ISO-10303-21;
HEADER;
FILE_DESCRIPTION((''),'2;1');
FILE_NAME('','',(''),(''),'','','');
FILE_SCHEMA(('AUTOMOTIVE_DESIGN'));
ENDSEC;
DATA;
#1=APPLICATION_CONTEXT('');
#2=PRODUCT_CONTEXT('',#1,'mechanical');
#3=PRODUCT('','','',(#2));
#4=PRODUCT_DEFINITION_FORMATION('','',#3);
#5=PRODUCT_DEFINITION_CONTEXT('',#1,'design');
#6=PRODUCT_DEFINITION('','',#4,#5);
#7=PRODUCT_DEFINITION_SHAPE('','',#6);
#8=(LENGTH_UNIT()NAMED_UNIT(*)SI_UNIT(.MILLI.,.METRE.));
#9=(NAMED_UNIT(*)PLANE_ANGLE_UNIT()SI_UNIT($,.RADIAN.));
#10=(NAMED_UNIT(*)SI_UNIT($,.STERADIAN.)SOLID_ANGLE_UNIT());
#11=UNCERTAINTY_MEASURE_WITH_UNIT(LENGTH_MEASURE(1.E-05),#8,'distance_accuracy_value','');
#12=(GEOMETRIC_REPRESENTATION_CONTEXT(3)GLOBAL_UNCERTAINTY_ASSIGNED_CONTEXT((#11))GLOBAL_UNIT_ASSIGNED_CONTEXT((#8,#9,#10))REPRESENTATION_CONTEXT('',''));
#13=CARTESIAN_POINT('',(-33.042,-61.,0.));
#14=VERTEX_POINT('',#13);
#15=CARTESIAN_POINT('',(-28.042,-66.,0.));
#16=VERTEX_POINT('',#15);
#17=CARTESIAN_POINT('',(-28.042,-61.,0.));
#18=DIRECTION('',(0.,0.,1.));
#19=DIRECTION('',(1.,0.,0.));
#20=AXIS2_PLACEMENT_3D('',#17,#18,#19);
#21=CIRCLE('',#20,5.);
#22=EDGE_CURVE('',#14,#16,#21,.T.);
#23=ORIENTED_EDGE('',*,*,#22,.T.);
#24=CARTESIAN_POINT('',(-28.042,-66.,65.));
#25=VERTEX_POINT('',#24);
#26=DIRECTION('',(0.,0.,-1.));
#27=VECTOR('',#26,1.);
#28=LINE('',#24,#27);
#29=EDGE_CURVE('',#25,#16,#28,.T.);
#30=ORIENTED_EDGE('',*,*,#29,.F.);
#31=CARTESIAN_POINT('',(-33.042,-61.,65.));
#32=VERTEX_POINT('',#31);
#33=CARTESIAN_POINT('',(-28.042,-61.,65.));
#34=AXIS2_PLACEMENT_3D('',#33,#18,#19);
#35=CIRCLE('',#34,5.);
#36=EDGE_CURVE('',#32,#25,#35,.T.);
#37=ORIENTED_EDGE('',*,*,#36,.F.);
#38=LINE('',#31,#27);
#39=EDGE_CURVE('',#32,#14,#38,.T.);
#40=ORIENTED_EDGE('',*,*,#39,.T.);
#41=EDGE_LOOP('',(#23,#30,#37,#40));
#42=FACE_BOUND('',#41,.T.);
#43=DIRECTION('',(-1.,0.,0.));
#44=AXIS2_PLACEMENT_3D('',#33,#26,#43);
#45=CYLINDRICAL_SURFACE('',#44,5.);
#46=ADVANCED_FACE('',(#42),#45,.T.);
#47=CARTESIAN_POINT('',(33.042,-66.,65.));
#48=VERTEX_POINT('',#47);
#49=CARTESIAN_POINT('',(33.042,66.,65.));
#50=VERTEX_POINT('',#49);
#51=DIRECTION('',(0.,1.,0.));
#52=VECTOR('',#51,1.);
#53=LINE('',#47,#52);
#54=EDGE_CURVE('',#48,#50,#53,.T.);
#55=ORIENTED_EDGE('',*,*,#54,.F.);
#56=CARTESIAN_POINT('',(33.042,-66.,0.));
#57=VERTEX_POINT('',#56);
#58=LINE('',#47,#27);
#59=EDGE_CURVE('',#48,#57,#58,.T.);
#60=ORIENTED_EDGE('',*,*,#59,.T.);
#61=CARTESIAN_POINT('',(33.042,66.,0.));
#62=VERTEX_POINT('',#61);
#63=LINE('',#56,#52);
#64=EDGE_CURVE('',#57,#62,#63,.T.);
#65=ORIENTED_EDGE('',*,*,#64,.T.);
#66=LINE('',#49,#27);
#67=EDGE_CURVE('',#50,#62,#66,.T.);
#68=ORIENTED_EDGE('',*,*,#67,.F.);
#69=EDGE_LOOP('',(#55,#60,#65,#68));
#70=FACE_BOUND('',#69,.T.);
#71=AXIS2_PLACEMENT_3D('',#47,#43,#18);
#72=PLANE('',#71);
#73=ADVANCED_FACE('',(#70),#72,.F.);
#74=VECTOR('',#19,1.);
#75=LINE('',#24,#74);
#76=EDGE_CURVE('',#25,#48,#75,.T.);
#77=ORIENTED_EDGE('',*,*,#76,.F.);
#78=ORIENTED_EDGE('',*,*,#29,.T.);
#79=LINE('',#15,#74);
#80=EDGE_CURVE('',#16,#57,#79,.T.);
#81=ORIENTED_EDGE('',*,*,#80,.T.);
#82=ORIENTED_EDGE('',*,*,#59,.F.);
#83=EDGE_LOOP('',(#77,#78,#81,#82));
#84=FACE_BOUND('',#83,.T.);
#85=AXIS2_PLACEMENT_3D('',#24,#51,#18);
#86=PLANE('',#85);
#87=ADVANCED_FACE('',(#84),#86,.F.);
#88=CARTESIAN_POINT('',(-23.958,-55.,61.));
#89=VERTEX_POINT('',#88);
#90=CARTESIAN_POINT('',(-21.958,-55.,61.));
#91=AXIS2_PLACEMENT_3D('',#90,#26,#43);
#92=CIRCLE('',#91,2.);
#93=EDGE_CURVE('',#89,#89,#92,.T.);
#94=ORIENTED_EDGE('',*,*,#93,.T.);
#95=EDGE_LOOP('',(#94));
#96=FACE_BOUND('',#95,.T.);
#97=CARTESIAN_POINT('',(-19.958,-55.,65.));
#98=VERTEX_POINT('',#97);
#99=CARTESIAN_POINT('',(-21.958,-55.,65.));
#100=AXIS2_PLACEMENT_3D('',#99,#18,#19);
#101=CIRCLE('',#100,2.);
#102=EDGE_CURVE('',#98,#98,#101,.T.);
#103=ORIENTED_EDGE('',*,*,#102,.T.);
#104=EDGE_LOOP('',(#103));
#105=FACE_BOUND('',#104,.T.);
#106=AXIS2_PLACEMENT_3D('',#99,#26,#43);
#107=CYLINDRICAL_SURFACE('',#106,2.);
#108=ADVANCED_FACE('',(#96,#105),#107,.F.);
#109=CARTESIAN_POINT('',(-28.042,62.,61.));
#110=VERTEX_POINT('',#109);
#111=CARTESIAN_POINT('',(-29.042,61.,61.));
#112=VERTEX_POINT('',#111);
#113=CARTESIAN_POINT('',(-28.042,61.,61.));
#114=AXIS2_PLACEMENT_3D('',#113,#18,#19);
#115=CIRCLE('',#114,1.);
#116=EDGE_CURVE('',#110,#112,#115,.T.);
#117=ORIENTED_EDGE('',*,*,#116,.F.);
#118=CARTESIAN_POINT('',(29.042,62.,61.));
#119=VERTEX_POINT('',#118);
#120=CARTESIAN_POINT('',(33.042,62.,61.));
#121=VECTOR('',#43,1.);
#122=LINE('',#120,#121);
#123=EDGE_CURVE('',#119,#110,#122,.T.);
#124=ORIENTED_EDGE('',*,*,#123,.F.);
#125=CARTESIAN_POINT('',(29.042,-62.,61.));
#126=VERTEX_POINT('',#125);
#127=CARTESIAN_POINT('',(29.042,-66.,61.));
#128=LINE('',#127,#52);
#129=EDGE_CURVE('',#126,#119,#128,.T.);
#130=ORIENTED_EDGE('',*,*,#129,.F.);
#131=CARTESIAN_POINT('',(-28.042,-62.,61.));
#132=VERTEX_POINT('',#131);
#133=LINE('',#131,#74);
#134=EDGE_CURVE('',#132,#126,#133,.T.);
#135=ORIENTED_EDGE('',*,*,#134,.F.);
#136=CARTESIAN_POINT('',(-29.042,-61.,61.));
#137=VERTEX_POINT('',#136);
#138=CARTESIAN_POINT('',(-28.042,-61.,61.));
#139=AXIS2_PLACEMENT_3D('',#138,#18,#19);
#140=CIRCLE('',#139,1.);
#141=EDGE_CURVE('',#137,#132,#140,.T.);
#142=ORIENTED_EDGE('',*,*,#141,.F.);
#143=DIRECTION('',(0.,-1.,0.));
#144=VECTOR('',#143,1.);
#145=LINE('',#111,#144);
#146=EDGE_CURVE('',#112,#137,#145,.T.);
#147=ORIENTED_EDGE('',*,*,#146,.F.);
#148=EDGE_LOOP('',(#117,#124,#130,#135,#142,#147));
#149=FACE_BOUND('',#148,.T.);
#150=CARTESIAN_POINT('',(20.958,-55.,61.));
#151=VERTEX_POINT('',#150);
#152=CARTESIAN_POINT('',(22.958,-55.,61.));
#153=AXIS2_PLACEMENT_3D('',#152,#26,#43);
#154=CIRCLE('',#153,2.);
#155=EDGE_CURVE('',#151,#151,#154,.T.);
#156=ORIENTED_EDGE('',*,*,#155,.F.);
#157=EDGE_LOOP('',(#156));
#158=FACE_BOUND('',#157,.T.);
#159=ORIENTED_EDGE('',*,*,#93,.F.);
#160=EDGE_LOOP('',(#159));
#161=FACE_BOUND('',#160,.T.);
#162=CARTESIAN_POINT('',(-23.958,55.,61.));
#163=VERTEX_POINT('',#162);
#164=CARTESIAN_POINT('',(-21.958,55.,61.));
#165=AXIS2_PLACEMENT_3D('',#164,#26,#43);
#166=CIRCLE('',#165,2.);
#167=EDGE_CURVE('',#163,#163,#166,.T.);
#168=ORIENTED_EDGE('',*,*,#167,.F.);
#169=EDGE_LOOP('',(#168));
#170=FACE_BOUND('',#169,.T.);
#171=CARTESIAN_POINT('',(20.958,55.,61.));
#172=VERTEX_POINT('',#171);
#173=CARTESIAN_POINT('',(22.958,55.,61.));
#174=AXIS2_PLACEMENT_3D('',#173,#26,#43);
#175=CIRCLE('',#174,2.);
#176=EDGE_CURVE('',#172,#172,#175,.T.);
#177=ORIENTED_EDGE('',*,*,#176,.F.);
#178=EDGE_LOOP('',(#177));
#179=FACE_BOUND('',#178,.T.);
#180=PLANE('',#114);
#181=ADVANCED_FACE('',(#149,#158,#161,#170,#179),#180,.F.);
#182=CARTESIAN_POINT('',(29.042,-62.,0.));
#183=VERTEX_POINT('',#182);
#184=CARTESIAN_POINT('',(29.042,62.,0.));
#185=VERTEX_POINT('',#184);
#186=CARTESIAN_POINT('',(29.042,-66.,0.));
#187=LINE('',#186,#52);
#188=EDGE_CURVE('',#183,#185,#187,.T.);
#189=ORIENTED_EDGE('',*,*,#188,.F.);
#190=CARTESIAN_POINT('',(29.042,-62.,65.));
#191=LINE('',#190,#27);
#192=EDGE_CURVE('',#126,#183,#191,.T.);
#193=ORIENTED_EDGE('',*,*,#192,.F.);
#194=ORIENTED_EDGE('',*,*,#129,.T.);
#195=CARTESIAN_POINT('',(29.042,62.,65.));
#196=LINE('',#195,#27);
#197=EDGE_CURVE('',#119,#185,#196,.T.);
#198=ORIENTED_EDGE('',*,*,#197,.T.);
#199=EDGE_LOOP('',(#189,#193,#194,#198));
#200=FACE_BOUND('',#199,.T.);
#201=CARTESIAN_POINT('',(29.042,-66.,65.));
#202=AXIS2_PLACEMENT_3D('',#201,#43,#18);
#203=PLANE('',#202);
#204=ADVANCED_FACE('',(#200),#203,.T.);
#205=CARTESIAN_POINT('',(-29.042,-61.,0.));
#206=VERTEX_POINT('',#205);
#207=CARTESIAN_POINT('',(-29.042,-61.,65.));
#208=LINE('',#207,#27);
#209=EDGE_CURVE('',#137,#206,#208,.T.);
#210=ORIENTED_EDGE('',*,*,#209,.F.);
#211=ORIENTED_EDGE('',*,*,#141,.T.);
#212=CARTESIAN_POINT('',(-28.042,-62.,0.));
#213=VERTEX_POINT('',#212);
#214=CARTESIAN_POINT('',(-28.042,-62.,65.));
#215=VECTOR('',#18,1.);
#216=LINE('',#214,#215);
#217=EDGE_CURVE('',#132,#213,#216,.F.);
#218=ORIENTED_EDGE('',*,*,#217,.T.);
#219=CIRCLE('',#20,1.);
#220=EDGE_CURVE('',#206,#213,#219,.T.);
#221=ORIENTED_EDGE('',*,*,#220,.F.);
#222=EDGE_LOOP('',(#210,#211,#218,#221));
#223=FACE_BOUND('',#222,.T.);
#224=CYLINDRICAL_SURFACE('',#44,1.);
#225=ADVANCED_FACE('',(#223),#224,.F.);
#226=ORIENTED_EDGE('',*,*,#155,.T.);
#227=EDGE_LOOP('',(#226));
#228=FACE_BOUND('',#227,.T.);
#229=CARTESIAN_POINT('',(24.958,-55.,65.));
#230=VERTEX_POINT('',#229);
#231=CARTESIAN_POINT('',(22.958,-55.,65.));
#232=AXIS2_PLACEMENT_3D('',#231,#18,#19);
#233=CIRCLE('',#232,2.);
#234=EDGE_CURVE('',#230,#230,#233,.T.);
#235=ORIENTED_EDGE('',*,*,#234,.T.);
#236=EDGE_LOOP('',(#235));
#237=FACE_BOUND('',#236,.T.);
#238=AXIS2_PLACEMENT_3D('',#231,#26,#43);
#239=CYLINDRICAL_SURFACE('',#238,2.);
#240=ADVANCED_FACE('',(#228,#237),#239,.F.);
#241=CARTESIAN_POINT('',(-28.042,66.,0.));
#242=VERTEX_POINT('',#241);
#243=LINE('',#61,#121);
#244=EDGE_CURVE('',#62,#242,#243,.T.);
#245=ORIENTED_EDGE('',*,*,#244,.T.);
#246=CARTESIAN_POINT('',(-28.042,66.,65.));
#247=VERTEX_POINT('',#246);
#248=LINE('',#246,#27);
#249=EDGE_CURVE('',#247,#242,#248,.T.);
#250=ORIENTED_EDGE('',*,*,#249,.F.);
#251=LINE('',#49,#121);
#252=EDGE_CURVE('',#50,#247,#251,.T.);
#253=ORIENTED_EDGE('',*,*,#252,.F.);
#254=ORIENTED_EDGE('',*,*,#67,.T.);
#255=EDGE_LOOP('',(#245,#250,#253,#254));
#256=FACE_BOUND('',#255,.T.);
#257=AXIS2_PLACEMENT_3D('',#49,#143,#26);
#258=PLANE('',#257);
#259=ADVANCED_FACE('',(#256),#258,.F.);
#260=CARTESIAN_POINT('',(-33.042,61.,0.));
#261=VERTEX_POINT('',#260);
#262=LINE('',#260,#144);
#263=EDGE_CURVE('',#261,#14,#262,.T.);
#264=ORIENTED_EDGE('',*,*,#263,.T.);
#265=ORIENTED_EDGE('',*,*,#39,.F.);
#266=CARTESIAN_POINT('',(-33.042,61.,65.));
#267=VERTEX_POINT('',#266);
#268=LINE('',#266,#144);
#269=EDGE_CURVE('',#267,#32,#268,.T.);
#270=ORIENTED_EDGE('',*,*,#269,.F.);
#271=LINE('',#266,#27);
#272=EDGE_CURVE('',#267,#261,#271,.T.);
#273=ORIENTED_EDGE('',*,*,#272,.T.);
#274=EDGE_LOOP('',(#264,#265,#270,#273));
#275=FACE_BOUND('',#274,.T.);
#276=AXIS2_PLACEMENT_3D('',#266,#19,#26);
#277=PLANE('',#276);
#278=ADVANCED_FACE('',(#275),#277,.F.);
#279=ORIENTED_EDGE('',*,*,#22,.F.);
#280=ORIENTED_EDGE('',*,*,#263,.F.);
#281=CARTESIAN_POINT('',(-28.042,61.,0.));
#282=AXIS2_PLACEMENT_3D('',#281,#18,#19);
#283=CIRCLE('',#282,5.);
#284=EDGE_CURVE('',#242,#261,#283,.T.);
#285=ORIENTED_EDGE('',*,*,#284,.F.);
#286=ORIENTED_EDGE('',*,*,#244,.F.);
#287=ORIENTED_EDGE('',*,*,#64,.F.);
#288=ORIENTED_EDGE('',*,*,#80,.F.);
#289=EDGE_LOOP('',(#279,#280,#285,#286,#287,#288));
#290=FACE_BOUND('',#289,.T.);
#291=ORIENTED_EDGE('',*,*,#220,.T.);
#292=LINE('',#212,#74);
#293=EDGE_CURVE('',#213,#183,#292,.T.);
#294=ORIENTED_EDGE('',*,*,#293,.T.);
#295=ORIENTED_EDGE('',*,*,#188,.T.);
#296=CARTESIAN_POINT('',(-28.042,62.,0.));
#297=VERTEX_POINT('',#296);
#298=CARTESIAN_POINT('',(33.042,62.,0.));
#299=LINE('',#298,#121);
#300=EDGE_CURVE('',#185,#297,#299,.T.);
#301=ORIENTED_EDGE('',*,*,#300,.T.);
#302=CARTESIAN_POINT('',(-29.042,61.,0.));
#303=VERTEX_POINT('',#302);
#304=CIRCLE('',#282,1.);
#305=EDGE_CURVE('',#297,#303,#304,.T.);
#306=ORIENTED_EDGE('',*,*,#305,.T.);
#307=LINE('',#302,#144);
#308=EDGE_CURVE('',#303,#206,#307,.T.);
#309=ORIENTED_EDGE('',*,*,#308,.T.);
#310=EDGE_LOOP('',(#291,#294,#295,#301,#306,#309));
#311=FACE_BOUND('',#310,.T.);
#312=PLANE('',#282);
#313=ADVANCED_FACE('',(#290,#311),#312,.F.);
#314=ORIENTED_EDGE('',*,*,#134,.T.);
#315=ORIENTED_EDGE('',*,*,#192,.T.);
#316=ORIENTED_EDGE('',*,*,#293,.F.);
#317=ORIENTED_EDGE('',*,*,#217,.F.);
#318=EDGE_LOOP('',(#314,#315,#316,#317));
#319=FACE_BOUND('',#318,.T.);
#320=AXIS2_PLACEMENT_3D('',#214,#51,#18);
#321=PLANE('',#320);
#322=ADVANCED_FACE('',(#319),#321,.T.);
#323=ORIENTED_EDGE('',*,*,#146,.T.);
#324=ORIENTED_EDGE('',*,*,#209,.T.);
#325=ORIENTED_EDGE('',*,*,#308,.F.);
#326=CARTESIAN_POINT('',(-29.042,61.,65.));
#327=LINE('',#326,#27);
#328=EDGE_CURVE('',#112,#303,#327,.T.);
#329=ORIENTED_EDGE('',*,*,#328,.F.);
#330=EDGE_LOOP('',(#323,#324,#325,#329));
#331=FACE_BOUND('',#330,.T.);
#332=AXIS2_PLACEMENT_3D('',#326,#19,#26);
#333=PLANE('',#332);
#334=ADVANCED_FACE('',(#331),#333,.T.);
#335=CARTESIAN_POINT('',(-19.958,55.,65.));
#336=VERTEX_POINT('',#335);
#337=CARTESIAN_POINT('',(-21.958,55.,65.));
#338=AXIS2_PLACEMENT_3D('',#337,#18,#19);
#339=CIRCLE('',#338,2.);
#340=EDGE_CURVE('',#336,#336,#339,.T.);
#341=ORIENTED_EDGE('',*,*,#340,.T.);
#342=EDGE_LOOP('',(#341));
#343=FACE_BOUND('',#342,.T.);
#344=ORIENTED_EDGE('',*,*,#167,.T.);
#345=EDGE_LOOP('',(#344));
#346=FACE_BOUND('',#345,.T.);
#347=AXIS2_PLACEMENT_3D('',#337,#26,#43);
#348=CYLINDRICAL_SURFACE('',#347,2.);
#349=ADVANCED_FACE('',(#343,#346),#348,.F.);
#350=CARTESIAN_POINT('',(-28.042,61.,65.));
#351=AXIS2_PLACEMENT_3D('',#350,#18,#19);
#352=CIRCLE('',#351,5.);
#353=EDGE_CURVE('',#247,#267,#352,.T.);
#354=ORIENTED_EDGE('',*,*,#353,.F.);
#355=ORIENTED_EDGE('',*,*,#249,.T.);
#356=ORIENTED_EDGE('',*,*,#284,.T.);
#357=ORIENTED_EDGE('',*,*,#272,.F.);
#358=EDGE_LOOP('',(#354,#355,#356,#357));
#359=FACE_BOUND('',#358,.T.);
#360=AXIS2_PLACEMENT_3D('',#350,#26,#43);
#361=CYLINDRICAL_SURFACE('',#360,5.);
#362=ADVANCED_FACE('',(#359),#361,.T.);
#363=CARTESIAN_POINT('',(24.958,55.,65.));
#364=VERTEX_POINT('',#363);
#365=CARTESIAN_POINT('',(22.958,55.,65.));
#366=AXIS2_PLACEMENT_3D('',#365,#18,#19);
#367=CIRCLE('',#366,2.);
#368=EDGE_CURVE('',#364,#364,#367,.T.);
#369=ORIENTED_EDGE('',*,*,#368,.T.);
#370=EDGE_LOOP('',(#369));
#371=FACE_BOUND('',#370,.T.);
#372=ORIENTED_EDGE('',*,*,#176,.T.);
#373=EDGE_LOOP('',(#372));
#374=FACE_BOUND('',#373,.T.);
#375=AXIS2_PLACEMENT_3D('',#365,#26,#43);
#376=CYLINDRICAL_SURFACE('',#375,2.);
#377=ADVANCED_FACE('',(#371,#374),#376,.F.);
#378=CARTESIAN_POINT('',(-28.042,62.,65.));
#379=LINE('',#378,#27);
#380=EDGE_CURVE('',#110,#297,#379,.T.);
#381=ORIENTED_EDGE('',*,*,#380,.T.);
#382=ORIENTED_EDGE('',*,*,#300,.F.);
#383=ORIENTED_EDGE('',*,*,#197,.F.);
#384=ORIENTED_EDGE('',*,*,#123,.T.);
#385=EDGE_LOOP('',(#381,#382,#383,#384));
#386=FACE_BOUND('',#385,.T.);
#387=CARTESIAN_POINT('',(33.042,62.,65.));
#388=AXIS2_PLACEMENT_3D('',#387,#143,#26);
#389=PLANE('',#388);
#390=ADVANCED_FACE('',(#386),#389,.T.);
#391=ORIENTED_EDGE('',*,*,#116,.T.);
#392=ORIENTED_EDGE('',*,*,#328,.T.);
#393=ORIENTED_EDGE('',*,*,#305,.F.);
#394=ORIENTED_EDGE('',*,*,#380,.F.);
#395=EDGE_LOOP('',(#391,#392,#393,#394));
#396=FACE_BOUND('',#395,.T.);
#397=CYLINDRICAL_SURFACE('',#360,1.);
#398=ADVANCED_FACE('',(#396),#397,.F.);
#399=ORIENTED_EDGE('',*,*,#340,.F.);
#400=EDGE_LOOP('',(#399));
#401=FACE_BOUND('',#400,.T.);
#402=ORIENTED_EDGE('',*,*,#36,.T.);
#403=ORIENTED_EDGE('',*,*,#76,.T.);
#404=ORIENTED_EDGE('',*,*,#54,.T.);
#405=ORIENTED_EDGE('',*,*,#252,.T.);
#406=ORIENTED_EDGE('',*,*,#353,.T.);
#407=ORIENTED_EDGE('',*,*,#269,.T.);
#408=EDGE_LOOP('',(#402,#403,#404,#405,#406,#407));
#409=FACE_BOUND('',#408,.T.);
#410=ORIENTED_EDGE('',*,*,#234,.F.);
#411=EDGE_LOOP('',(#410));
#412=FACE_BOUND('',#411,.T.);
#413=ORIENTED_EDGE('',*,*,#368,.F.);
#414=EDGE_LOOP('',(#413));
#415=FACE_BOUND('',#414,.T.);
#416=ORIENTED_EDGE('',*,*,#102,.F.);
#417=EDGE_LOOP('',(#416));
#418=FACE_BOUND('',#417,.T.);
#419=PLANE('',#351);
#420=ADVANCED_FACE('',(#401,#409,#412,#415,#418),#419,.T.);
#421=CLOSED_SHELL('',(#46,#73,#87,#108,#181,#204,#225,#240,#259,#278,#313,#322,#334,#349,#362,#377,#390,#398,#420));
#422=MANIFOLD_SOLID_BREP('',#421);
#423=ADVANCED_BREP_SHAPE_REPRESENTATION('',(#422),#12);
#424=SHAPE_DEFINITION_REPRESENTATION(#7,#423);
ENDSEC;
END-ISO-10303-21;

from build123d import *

# Parameters (mm, degrees)
SKETCH1_R           = 2
BOSS_EXTRUDE1_DEPTH = 65
SHELL1_T            = -4
SKETCH2_R           = 6
CUT_EXTRUDE1_DEPTH  = 61


with BuildPart() as part:
    # Sketch1 → Boss-Extrude1 (new body)
    with BuildSketch(Plane.XY):
        with BuildLine():
            Line((-33.042, 61), (-33.042, -61))
            ThreePointArc((-33.042, -61), (-31.577533906, -64.535533906), (-28.042, -66))
            Line((-28.042, -66), (33.042, -66))
            Line((33.042, -66), (33.042, 66))
            Line((33.042, 66), (-28.042, 66))
            ThreePointArc((-28.042, 66), (-31.577533906, 64.535533906), (-33.042, 61))
        make_face()
        with Locations((22.958, -55)):
            Circle(SKETCH1_R, mode=Mode.SUBTRACT)
        with Locations((-21.958, 55)):
            Circle(SKETCH1_R, mode=Mode.SUBTRACT)
        with Locations((-21.958, -55)):
            Circle(SKETCH1_R, mode=Mode.SUBTRACT)
        with Locations((22.958, 55)):
            Circle(SKETCH1_R, mode=Mode.SUBTRACT)
    extrude(amount=BOSS_EXTRUDE1_DEPTH)

    # Shell1
    shell1_openings = [part.faces().sort_by_distance(p)[0] for p in [
        (-9.692511302, 0, 0),
    ]]
    offset(amount=SHELL1_T, openings=shell1_openings, kind=Kind.INTERSECTION)

    # Sketch2 → Cut-Extrude1 (cut)
    with BuildSketch(Plane(origin=(0, 0, 0), x_dir=(-1, 0, 0), z_dir=(0, 0, -1))):
        with Locations((-22.958, -55)):
            Circle(SKETCH2_R)
        with Locations((21.958, -55)):
            Circle(SKETCH2_R)
        with Locations((21.958, 55)):
            Circle(SKETCH2_R)
        with Locations((-22.958, 55)):
            Circle(SKETCH2_R)
    extrude(amount=-CUT_EXTRUDE1_DEPTH, mode=Mode.SUBTRACT)


solid = part.part
